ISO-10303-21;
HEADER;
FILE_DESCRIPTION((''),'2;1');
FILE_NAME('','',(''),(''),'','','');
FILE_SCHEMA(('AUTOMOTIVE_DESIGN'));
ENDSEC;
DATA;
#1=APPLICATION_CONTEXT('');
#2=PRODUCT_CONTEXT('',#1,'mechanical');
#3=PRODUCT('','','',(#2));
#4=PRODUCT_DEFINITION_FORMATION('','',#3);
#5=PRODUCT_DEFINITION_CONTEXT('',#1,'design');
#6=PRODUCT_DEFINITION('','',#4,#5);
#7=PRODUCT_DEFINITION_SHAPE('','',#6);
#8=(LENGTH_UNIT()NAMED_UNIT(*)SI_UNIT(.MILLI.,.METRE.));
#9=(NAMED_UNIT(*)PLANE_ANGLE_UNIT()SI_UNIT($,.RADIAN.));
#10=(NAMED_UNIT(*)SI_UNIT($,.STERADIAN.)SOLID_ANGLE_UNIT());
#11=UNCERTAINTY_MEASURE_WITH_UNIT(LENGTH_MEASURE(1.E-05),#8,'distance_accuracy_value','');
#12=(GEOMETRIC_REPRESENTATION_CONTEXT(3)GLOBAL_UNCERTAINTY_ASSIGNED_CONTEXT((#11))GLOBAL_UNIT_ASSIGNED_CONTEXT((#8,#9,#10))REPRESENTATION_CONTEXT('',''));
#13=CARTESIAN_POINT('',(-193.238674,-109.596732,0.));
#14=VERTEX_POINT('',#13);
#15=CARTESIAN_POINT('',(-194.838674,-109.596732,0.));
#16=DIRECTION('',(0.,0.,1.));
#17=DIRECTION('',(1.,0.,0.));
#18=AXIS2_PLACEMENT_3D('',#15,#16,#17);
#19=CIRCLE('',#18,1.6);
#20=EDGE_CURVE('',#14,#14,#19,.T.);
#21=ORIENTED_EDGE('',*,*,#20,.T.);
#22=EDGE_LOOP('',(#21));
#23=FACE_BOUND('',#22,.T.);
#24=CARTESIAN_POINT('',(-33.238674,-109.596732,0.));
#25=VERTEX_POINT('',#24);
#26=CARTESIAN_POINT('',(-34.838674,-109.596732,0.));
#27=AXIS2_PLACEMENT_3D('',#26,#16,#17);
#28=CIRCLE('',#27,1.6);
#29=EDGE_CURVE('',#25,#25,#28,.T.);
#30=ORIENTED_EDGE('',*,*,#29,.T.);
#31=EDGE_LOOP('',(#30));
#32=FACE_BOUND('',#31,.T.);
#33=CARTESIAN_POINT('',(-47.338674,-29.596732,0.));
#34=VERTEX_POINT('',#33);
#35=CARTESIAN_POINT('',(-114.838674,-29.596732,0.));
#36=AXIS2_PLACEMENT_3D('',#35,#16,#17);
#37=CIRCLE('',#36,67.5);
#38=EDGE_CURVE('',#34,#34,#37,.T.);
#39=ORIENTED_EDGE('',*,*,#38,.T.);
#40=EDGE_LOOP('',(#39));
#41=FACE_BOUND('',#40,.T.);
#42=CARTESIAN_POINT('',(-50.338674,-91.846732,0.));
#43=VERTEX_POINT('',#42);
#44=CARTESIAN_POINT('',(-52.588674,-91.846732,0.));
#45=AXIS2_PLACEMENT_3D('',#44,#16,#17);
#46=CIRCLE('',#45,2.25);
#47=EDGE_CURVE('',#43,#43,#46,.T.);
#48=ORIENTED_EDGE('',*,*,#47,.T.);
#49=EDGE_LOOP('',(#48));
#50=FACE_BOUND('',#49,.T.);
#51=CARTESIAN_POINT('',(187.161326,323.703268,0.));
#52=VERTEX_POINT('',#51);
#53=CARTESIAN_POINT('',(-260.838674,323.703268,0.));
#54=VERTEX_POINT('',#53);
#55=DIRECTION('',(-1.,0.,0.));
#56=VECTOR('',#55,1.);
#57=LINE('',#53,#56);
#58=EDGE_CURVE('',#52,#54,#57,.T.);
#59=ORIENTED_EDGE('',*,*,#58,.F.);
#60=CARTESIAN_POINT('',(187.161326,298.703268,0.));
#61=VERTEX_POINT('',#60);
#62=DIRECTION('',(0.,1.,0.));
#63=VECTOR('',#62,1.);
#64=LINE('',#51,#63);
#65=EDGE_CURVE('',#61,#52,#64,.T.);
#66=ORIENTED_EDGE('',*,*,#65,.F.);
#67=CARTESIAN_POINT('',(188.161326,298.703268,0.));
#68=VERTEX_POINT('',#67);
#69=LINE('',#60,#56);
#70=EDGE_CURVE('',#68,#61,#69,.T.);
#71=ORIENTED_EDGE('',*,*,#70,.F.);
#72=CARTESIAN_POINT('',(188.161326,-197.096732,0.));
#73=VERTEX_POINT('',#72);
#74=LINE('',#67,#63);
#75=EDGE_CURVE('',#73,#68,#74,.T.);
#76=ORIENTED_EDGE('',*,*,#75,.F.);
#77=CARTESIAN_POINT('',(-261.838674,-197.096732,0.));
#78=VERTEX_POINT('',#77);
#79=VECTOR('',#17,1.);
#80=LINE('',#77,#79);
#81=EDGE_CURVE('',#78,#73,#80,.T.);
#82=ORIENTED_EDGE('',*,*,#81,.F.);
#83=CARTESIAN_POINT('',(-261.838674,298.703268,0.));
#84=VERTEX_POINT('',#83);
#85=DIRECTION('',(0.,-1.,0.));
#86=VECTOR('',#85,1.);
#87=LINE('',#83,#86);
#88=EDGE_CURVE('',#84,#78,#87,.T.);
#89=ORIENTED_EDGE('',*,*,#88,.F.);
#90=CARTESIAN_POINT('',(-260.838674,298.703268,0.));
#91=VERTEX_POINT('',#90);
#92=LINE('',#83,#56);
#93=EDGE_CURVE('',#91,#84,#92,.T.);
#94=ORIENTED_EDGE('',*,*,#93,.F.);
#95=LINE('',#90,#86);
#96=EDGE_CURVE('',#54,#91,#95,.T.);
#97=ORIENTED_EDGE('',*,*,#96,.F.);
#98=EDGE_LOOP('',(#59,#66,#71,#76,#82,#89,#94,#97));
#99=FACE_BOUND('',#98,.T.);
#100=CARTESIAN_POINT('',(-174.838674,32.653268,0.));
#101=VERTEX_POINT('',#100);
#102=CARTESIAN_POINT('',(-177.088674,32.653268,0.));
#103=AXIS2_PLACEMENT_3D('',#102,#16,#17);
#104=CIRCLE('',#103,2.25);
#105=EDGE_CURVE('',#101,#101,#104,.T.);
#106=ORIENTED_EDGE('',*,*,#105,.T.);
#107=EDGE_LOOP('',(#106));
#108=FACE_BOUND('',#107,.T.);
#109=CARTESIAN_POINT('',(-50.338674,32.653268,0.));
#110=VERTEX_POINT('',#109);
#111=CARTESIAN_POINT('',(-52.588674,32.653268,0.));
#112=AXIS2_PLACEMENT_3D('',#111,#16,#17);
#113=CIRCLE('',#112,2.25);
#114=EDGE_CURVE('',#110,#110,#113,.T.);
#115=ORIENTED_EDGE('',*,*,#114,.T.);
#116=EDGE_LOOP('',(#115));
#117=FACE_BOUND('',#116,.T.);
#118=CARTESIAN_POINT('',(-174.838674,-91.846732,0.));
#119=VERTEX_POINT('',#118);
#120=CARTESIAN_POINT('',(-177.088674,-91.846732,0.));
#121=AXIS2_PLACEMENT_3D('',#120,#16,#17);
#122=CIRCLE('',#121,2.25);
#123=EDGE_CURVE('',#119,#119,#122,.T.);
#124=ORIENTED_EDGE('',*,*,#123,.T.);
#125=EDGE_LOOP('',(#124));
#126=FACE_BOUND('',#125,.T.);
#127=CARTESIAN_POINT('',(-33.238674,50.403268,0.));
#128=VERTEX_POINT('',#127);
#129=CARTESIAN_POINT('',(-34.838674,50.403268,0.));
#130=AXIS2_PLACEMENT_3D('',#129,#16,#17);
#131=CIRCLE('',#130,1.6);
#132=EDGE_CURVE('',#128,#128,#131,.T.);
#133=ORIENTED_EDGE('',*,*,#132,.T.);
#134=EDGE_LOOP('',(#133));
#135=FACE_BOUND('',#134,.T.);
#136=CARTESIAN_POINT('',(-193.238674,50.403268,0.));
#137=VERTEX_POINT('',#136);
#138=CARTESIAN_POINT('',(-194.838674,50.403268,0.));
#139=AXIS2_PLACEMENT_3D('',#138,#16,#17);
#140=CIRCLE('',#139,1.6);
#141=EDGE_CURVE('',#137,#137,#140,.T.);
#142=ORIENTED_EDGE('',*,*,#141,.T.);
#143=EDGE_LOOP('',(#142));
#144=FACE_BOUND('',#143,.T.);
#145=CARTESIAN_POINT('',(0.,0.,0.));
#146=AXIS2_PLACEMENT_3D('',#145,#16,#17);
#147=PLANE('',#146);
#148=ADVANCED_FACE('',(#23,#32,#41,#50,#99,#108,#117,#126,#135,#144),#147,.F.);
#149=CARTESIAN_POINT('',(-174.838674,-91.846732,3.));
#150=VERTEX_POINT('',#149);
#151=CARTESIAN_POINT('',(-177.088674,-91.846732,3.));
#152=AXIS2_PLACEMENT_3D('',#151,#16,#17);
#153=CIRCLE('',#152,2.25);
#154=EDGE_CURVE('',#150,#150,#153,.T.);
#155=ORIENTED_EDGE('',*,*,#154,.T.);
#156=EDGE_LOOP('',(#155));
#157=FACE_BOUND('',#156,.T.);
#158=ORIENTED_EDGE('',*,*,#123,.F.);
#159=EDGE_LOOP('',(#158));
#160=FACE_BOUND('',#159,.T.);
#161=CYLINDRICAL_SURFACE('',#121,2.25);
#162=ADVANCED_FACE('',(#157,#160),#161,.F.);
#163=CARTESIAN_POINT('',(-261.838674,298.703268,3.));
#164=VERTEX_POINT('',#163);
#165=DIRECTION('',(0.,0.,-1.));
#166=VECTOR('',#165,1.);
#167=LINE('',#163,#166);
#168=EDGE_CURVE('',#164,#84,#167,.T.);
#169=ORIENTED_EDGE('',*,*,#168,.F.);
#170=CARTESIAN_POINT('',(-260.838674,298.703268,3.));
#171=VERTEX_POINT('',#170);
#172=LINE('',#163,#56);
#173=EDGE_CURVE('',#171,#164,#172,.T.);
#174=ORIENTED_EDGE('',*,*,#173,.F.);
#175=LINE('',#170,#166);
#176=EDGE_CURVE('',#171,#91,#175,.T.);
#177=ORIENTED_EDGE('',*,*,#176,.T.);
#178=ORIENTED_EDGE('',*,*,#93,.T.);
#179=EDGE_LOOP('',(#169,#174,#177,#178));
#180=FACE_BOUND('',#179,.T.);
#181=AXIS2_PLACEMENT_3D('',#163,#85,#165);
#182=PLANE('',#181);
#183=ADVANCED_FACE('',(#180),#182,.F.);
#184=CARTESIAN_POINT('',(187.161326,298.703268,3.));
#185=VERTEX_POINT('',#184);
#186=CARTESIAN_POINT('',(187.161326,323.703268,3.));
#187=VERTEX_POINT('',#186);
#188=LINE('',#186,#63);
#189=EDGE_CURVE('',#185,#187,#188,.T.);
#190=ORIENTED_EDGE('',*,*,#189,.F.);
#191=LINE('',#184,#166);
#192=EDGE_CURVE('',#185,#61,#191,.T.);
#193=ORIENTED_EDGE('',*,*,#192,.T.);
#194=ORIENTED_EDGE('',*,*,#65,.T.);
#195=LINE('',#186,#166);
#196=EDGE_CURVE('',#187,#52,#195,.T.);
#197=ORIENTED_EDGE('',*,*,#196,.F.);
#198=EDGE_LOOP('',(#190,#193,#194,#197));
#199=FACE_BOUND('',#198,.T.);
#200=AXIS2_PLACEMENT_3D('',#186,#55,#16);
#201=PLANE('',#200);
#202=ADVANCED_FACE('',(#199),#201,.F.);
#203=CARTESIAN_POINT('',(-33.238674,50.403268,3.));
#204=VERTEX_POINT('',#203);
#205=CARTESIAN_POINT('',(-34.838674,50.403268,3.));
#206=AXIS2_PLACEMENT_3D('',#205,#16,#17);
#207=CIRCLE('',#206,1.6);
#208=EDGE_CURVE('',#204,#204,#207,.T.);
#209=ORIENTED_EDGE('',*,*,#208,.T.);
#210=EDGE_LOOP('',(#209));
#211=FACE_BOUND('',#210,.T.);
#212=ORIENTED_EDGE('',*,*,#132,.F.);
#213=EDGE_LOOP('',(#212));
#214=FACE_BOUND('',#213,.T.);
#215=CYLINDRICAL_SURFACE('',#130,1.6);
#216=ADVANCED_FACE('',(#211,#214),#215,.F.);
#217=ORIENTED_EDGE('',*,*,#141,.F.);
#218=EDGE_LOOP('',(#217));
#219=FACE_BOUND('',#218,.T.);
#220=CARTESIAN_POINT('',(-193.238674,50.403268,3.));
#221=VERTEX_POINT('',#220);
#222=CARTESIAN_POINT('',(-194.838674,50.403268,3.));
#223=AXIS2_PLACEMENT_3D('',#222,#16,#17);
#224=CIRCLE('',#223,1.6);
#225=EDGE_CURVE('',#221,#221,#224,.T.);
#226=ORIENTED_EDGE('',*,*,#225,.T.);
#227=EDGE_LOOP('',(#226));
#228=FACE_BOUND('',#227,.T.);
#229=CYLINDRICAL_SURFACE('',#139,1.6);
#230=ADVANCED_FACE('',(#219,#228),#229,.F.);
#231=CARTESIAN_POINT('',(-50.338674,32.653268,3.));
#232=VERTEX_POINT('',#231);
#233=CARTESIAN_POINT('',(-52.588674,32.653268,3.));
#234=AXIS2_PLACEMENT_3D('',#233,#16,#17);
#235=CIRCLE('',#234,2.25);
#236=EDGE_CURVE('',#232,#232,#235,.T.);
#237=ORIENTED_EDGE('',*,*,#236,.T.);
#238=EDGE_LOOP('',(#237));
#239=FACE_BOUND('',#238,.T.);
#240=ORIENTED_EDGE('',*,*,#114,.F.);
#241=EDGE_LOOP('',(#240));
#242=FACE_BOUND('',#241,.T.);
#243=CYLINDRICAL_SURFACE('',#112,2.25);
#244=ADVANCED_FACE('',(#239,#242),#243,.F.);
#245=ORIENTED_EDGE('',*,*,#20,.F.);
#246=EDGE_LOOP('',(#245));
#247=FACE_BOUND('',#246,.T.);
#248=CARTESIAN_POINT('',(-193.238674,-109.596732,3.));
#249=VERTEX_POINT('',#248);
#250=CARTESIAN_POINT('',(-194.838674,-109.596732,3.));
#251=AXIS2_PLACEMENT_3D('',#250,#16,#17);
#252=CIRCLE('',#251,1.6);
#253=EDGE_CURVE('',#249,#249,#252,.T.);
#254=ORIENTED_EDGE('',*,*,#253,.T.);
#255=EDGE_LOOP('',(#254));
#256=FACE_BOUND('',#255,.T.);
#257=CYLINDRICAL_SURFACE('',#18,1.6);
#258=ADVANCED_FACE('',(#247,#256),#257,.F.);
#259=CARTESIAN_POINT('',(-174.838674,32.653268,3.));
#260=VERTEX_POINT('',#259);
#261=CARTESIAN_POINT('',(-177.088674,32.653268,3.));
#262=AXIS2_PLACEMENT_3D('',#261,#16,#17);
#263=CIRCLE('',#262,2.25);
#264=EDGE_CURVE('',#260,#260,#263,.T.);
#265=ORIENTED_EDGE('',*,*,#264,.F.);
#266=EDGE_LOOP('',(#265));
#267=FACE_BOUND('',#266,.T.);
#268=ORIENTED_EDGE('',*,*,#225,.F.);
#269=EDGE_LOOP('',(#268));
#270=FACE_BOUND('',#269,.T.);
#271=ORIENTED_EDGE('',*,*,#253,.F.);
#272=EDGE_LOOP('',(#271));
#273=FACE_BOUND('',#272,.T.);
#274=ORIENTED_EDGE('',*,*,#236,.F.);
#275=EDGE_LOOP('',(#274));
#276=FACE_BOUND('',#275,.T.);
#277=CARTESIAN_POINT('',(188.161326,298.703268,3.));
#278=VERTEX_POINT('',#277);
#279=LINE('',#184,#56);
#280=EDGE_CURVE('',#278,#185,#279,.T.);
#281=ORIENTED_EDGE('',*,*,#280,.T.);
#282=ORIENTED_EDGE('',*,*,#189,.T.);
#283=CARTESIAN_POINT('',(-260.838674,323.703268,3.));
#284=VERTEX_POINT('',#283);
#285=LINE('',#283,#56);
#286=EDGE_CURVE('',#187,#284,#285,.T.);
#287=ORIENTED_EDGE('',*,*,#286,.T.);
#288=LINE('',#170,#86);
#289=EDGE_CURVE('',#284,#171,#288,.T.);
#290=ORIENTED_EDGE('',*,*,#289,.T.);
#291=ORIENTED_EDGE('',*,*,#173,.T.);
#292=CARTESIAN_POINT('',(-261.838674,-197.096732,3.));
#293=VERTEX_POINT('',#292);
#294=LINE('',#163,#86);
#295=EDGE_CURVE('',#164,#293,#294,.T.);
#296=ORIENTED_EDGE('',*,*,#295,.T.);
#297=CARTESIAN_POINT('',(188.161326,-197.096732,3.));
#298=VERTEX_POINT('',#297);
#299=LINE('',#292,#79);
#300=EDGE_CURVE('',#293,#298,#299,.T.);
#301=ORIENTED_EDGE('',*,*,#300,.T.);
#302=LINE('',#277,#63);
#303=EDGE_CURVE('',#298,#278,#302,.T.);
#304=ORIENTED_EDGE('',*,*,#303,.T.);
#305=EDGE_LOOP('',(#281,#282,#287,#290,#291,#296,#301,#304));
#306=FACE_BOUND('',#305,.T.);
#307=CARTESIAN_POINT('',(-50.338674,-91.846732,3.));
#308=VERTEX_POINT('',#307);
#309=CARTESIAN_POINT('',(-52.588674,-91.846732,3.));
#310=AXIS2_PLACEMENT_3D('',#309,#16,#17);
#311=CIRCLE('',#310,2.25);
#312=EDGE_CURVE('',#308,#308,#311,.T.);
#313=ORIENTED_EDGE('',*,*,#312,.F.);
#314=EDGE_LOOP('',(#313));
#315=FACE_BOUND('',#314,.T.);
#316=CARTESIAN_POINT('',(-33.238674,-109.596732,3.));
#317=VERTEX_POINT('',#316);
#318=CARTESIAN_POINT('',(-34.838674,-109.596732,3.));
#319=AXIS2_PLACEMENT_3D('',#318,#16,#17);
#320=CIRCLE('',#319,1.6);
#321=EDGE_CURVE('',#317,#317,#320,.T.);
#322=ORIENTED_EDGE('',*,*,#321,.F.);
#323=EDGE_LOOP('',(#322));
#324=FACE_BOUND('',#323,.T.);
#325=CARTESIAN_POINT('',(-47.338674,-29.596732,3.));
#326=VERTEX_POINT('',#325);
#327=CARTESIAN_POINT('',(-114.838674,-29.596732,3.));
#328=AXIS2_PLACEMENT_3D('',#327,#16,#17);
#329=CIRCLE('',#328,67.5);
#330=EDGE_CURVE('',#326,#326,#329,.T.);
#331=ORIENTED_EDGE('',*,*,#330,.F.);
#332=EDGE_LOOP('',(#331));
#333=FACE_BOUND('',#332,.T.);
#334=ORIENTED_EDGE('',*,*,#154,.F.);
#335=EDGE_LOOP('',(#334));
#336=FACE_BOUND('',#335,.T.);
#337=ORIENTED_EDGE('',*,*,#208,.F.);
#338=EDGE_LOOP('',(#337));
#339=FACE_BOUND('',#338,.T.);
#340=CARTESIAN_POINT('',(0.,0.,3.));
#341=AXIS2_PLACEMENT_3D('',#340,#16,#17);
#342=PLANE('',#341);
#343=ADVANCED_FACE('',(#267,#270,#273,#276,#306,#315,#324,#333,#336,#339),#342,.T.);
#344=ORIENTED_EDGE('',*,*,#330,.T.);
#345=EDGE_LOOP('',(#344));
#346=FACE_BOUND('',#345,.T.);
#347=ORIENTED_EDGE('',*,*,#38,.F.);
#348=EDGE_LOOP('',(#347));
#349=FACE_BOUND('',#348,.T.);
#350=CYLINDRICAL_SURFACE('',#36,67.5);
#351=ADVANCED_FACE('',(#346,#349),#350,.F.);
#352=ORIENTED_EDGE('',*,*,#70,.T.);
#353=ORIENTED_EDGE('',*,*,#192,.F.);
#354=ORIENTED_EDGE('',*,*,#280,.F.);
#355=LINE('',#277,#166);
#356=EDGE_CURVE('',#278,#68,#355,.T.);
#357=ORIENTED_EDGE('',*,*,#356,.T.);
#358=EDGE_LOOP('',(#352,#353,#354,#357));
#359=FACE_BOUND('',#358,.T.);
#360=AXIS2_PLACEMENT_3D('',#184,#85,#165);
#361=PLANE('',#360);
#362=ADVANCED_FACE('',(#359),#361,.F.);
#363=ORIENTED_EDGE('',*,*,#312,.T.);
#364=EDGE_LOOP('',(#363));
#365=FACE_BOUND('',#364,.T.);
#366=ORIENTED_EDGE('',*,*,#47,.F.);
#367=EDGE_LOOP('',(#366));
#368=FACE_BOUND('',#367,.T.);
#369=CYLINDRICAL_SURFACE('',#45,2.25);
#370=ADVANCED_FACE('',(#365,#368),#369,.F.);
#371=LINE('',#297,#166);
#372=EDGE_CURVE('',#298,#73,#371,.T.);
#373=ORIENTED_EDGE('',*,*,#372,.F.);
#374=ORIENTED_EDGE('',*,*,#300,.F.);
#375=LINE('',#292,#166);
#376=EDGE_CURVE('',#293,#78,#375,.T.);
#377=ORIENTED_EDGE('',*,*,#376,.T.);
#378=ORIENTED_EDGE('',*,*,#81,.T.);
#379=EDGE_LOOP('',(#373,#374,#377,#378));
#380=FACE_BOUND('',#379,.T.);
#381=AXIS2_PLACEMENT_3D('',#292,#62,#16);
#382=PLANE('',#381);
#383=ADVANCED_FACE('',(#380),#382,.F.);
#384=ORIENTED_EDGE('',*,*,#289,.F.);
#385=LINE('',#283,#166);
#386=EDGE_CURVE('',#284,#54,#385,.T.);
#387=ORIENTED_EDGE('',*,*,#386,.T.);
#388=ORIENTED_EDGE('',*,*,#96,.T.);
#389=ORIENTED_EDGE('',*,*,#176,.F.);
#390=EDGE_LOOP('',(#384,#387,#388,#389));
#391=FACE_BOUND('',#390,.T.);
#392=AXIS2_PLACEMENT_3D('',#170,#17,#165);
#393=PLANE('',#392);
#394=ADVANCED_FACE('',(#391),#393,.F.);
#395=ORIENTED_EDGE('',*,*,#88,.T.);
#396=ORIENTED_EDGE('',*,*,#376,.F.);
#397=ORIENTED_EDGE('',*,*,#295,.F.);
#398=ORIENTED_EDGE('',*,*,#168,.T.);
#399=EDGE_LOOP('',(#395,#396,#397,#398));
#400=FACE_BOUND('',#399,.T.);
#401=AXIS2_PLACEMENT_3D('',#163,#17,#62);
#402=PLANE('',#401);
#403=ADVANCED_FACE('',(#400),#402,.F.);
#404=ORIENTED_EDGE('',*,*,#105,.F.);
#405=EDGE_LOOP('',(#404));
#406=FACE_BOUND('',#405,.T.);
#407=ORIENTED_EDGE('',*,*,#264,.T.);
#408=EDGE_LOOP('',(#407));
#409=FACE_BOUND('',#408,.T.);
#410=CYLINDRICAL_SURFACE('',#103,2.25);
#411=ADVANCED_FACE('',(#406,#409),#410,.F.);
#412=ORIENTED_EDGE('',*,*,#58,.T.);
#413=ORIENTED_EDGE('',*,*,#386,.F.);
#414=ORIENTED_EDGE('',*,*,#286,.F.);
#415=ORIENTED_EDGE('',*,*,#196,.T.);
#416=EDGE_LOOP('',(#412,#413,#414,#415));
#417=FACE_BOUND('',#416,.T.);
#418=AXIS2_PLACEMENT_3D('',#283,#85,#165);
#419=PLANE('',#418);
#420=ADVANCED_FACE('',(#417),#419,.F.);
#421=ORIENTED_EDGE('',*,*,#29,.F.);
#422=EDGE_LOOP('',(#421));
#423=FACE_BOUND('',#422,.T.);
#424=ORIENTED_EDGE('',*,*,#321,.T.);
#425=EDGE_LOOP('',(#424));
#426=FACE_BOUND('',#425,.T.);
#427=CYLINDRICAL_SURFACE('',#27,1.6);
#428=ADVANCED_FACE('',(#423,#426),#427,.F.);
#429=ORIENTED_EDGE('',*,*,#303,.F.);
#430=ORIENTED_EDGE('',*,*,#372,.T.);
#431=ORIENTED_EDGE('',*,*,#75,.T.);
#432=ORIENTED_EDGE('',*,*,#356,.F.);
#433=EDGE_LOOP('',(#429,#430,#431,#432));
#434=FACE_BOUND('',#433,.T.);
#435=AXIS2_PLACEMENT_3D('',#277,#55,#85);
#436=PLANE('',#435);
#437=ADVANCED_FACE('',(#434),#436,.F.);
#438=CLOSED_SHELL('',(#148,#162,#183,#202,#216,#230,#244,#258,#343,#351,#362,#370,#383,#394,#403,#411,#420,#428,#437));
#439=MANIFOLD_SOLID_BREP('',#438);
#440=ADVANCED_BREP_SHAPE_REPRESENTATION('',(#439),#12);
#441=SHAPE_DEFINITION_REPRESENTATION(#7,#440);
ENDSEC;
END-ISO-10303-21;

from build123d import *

# Parameters (mm, degrees)
SALIENTE_EXTRUIR1_DEPTH = 3
CROQUIS2_R              = 67.5
CROQUIS2_R_2            = 2.25
CROQUIS2_R_3            = 1.6
CORTAR_EXTRUIR1_DEPTH   = 3


with BuildPart() as part:
    # Croquis1 → Saliente-Extruir1 (new body)
    with BuildSketch(Plane.XY):
        Polygon((-261.838674033, 298.703267526), (-260.838674033, 298.703267526), (-260.838674033, 323.703267526), (187.161325967, 323.703267526), (187.161325967, 298.703267526), (188.161325967, 298.703267526), (188.161325967, -197.096732474), (-261.838674033, -197.096732474), align=None)
    extrude(amount=SALIENTE_EXTRUIR1_DEPTH)

    # Croquis2 → Cortar-Extruir1 (cut)
    with BuildSketch(Plane.XY.offset(3)):
        with Locations((-114.838674033, -29.596732474)):
            Circle(CROQUIS2_R)
        with Locations((-52.588674033, 32.653267526)):
            Circle(CROQUIS2_R_2)
        with Locations((-34.838674033, 50.403267526)):
            Circle(CROQUIS2_R_3)
        with Locations((-52.588674033, -91.846732474)):
            Circle(CROQUIS2_R_2)
        with Locations((-34.838674033, -109.596732474)):
            Circle(CROQUIS2_R_3)
        with Locations((-177.088674033, -91.846732474)):
            Circle(CROQUIS2_R_2)
        with Locations((-194.838674033, -109.596732474)):
            Circle(CROQUIS2_R_3)
        with Locations((-177.088674033, 32.653267526)):
            Circle(CROQUIS2_R_2)
        with Locations((-194.838674033, 50.403267526)):
            Circle(CROQUIS2_R_3)
    extrude(amount=-CORTAR_EXTRUIR1_DEPTH, mode=Mode.SUBTRACT)


solid = part.part
